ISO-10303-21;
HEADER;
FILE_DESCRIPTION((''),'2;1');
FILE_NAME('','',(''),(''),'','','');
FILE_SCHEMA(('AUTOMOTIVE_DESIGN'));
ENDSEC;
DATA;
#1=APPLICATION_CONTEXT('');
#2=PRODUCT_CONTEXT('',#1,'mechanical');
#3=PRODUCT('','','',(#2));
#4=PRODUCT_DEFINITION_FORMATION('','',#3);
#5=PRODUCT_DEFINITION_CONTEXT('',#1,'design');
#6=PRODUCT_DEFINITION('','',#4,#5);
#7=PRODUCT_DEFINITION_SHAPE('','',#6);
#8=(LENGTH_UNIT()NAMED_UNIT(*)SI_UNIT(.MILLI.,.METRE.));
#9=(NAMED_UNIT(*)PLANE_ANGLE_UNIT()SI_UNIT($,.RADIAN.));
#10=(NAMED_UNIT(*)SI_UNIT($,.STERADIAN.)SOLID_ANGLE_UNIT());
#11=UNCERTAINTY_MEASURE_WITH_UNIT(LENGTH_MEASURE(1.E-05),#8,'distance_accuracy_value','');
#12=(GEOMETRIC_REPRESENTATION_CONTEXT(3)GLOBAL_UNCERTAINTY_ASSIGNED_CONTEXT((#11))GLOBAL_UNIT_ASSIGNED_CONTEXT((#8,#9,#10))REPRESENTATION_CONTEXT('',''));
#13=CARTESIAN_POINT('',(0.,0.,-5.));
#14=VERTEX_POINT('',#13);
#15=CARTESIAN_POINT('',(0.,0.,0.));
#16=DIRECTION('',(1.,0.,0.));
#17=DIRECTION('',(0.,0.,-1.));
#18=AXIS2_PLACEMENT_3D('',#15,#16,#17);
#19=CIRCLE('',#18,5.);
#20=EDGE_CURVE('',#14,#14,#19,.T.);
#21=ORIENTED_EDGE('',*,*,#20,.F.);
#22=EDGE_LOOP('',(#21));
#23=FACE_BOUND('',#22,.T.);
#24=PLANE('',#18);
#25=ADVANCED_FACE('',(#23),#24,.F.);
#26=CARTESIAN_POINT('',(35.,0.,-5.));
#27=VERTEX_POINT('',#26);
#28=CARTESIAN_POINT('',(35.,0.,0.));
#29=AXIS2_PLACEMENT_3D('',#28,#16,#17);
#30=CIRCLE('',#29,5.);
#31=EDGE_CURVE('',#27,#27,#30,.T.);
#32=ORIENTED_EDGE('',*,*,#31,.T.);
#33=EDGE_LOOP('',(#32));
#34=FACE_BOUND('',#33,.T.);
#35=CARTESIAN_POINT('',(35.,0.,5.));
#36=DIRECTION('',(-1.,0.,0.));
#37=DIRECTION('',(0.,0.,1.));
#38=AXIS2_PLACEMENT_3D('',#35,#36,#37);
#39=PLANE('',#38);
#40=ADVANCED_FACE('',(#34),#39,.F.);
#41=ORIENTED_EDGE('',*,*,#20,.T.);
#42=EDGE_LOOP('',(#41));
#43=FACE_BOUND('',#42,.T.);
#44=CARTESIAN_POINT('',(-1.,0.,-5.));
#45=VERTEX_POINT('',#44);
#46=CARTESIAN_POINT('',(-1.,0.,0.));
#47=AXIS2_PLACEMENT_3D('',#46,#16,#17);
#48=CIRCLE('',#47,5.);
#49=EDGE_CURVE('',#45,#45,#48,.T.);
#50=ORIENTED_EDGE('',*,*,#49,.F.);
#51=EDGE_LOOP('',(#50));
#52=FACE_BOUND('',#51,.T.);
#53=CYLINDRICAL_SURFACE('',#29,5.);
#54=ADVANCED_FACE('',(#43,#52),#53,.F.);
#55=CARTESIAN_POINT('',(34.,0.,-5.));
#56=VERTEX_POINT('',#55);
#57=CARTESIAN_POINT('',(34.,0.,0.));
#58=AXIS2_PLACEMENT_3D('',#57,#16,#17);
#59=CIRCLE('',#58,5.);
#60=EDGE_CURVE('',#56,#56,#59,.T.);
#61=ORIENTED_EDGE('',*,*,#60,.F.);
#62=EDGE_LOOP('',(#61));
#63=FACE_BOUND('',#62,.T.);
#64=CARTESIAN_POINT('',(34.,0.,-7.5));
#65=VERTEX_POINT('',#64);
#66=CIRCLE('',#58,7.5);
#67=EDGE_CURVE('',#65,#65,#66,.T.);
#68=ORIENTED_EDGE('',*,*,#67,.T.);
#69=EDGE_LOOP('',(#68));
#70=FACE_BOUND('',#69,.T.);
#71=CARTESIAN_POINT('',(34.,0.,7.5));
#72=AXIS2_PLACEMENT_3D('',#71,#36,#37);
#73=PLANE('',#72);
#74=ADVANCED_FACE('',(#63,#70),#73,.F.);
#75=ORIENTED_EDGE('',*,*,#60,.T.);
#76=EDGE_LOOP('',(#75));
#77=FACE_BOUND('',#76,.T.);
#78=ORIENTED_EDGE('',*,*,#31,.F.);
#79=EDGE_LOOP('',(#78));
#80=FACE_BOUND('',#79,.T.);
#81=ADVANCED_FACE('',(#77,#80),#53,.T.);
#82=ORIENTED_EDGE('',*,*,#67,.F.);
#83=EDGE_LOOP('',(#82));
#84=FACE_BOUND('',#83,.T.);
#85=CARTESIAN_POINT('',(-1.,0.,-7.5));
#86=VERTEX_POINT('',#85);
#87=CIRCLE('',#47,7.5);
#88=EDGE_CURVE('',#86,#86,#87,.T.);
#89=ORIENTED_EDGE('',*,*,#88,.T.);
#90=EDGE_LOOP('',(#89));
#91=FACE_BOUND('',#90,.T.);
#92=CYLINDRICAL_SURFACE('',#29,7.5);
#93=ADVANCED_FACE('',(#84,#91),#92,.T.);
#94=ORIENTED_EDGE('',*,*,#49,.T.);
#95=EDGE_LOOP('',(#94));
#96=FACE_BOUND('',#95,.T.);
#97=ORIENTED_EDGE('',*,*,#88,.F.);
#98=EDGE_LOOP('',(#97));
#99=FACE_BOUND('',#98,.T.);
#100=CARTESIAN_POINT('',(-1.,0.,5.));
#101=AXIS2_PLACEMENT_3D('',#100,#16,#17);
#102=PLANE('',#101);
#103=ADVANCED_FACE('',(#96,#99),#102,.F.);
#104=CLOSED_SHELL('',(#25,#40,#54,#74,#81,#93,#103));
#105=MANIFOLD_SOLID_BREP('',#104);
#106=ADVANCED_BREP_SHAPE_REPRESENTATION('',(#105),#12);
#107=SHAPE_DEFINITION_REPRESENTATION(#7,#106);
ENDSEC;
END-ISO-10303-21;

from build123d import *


with BuildPart() as part:
    # Sketch1 → Revolve1 (revolve)
    with BuildSketch(Plane(origin=(0, 0, 0), x_dir=(1, 0, 0), z_dir=(0, 1, 0)), mode=Mode.PRIVATE) as revolve1_sk:
        Polygon((0, 0), (0, -5), (-1, -5), (-1, -7.5), (34, -7.5), (34, -5), (35, -5), (35, 0), align=None)
    revolve(revolve1_sk.sketch.rotate(Axis((35, 0, 0), (-1, 0, 0)), 180), axis=Axis((35, 0, 0), (-1, 0, 0)))


solid = part.part
